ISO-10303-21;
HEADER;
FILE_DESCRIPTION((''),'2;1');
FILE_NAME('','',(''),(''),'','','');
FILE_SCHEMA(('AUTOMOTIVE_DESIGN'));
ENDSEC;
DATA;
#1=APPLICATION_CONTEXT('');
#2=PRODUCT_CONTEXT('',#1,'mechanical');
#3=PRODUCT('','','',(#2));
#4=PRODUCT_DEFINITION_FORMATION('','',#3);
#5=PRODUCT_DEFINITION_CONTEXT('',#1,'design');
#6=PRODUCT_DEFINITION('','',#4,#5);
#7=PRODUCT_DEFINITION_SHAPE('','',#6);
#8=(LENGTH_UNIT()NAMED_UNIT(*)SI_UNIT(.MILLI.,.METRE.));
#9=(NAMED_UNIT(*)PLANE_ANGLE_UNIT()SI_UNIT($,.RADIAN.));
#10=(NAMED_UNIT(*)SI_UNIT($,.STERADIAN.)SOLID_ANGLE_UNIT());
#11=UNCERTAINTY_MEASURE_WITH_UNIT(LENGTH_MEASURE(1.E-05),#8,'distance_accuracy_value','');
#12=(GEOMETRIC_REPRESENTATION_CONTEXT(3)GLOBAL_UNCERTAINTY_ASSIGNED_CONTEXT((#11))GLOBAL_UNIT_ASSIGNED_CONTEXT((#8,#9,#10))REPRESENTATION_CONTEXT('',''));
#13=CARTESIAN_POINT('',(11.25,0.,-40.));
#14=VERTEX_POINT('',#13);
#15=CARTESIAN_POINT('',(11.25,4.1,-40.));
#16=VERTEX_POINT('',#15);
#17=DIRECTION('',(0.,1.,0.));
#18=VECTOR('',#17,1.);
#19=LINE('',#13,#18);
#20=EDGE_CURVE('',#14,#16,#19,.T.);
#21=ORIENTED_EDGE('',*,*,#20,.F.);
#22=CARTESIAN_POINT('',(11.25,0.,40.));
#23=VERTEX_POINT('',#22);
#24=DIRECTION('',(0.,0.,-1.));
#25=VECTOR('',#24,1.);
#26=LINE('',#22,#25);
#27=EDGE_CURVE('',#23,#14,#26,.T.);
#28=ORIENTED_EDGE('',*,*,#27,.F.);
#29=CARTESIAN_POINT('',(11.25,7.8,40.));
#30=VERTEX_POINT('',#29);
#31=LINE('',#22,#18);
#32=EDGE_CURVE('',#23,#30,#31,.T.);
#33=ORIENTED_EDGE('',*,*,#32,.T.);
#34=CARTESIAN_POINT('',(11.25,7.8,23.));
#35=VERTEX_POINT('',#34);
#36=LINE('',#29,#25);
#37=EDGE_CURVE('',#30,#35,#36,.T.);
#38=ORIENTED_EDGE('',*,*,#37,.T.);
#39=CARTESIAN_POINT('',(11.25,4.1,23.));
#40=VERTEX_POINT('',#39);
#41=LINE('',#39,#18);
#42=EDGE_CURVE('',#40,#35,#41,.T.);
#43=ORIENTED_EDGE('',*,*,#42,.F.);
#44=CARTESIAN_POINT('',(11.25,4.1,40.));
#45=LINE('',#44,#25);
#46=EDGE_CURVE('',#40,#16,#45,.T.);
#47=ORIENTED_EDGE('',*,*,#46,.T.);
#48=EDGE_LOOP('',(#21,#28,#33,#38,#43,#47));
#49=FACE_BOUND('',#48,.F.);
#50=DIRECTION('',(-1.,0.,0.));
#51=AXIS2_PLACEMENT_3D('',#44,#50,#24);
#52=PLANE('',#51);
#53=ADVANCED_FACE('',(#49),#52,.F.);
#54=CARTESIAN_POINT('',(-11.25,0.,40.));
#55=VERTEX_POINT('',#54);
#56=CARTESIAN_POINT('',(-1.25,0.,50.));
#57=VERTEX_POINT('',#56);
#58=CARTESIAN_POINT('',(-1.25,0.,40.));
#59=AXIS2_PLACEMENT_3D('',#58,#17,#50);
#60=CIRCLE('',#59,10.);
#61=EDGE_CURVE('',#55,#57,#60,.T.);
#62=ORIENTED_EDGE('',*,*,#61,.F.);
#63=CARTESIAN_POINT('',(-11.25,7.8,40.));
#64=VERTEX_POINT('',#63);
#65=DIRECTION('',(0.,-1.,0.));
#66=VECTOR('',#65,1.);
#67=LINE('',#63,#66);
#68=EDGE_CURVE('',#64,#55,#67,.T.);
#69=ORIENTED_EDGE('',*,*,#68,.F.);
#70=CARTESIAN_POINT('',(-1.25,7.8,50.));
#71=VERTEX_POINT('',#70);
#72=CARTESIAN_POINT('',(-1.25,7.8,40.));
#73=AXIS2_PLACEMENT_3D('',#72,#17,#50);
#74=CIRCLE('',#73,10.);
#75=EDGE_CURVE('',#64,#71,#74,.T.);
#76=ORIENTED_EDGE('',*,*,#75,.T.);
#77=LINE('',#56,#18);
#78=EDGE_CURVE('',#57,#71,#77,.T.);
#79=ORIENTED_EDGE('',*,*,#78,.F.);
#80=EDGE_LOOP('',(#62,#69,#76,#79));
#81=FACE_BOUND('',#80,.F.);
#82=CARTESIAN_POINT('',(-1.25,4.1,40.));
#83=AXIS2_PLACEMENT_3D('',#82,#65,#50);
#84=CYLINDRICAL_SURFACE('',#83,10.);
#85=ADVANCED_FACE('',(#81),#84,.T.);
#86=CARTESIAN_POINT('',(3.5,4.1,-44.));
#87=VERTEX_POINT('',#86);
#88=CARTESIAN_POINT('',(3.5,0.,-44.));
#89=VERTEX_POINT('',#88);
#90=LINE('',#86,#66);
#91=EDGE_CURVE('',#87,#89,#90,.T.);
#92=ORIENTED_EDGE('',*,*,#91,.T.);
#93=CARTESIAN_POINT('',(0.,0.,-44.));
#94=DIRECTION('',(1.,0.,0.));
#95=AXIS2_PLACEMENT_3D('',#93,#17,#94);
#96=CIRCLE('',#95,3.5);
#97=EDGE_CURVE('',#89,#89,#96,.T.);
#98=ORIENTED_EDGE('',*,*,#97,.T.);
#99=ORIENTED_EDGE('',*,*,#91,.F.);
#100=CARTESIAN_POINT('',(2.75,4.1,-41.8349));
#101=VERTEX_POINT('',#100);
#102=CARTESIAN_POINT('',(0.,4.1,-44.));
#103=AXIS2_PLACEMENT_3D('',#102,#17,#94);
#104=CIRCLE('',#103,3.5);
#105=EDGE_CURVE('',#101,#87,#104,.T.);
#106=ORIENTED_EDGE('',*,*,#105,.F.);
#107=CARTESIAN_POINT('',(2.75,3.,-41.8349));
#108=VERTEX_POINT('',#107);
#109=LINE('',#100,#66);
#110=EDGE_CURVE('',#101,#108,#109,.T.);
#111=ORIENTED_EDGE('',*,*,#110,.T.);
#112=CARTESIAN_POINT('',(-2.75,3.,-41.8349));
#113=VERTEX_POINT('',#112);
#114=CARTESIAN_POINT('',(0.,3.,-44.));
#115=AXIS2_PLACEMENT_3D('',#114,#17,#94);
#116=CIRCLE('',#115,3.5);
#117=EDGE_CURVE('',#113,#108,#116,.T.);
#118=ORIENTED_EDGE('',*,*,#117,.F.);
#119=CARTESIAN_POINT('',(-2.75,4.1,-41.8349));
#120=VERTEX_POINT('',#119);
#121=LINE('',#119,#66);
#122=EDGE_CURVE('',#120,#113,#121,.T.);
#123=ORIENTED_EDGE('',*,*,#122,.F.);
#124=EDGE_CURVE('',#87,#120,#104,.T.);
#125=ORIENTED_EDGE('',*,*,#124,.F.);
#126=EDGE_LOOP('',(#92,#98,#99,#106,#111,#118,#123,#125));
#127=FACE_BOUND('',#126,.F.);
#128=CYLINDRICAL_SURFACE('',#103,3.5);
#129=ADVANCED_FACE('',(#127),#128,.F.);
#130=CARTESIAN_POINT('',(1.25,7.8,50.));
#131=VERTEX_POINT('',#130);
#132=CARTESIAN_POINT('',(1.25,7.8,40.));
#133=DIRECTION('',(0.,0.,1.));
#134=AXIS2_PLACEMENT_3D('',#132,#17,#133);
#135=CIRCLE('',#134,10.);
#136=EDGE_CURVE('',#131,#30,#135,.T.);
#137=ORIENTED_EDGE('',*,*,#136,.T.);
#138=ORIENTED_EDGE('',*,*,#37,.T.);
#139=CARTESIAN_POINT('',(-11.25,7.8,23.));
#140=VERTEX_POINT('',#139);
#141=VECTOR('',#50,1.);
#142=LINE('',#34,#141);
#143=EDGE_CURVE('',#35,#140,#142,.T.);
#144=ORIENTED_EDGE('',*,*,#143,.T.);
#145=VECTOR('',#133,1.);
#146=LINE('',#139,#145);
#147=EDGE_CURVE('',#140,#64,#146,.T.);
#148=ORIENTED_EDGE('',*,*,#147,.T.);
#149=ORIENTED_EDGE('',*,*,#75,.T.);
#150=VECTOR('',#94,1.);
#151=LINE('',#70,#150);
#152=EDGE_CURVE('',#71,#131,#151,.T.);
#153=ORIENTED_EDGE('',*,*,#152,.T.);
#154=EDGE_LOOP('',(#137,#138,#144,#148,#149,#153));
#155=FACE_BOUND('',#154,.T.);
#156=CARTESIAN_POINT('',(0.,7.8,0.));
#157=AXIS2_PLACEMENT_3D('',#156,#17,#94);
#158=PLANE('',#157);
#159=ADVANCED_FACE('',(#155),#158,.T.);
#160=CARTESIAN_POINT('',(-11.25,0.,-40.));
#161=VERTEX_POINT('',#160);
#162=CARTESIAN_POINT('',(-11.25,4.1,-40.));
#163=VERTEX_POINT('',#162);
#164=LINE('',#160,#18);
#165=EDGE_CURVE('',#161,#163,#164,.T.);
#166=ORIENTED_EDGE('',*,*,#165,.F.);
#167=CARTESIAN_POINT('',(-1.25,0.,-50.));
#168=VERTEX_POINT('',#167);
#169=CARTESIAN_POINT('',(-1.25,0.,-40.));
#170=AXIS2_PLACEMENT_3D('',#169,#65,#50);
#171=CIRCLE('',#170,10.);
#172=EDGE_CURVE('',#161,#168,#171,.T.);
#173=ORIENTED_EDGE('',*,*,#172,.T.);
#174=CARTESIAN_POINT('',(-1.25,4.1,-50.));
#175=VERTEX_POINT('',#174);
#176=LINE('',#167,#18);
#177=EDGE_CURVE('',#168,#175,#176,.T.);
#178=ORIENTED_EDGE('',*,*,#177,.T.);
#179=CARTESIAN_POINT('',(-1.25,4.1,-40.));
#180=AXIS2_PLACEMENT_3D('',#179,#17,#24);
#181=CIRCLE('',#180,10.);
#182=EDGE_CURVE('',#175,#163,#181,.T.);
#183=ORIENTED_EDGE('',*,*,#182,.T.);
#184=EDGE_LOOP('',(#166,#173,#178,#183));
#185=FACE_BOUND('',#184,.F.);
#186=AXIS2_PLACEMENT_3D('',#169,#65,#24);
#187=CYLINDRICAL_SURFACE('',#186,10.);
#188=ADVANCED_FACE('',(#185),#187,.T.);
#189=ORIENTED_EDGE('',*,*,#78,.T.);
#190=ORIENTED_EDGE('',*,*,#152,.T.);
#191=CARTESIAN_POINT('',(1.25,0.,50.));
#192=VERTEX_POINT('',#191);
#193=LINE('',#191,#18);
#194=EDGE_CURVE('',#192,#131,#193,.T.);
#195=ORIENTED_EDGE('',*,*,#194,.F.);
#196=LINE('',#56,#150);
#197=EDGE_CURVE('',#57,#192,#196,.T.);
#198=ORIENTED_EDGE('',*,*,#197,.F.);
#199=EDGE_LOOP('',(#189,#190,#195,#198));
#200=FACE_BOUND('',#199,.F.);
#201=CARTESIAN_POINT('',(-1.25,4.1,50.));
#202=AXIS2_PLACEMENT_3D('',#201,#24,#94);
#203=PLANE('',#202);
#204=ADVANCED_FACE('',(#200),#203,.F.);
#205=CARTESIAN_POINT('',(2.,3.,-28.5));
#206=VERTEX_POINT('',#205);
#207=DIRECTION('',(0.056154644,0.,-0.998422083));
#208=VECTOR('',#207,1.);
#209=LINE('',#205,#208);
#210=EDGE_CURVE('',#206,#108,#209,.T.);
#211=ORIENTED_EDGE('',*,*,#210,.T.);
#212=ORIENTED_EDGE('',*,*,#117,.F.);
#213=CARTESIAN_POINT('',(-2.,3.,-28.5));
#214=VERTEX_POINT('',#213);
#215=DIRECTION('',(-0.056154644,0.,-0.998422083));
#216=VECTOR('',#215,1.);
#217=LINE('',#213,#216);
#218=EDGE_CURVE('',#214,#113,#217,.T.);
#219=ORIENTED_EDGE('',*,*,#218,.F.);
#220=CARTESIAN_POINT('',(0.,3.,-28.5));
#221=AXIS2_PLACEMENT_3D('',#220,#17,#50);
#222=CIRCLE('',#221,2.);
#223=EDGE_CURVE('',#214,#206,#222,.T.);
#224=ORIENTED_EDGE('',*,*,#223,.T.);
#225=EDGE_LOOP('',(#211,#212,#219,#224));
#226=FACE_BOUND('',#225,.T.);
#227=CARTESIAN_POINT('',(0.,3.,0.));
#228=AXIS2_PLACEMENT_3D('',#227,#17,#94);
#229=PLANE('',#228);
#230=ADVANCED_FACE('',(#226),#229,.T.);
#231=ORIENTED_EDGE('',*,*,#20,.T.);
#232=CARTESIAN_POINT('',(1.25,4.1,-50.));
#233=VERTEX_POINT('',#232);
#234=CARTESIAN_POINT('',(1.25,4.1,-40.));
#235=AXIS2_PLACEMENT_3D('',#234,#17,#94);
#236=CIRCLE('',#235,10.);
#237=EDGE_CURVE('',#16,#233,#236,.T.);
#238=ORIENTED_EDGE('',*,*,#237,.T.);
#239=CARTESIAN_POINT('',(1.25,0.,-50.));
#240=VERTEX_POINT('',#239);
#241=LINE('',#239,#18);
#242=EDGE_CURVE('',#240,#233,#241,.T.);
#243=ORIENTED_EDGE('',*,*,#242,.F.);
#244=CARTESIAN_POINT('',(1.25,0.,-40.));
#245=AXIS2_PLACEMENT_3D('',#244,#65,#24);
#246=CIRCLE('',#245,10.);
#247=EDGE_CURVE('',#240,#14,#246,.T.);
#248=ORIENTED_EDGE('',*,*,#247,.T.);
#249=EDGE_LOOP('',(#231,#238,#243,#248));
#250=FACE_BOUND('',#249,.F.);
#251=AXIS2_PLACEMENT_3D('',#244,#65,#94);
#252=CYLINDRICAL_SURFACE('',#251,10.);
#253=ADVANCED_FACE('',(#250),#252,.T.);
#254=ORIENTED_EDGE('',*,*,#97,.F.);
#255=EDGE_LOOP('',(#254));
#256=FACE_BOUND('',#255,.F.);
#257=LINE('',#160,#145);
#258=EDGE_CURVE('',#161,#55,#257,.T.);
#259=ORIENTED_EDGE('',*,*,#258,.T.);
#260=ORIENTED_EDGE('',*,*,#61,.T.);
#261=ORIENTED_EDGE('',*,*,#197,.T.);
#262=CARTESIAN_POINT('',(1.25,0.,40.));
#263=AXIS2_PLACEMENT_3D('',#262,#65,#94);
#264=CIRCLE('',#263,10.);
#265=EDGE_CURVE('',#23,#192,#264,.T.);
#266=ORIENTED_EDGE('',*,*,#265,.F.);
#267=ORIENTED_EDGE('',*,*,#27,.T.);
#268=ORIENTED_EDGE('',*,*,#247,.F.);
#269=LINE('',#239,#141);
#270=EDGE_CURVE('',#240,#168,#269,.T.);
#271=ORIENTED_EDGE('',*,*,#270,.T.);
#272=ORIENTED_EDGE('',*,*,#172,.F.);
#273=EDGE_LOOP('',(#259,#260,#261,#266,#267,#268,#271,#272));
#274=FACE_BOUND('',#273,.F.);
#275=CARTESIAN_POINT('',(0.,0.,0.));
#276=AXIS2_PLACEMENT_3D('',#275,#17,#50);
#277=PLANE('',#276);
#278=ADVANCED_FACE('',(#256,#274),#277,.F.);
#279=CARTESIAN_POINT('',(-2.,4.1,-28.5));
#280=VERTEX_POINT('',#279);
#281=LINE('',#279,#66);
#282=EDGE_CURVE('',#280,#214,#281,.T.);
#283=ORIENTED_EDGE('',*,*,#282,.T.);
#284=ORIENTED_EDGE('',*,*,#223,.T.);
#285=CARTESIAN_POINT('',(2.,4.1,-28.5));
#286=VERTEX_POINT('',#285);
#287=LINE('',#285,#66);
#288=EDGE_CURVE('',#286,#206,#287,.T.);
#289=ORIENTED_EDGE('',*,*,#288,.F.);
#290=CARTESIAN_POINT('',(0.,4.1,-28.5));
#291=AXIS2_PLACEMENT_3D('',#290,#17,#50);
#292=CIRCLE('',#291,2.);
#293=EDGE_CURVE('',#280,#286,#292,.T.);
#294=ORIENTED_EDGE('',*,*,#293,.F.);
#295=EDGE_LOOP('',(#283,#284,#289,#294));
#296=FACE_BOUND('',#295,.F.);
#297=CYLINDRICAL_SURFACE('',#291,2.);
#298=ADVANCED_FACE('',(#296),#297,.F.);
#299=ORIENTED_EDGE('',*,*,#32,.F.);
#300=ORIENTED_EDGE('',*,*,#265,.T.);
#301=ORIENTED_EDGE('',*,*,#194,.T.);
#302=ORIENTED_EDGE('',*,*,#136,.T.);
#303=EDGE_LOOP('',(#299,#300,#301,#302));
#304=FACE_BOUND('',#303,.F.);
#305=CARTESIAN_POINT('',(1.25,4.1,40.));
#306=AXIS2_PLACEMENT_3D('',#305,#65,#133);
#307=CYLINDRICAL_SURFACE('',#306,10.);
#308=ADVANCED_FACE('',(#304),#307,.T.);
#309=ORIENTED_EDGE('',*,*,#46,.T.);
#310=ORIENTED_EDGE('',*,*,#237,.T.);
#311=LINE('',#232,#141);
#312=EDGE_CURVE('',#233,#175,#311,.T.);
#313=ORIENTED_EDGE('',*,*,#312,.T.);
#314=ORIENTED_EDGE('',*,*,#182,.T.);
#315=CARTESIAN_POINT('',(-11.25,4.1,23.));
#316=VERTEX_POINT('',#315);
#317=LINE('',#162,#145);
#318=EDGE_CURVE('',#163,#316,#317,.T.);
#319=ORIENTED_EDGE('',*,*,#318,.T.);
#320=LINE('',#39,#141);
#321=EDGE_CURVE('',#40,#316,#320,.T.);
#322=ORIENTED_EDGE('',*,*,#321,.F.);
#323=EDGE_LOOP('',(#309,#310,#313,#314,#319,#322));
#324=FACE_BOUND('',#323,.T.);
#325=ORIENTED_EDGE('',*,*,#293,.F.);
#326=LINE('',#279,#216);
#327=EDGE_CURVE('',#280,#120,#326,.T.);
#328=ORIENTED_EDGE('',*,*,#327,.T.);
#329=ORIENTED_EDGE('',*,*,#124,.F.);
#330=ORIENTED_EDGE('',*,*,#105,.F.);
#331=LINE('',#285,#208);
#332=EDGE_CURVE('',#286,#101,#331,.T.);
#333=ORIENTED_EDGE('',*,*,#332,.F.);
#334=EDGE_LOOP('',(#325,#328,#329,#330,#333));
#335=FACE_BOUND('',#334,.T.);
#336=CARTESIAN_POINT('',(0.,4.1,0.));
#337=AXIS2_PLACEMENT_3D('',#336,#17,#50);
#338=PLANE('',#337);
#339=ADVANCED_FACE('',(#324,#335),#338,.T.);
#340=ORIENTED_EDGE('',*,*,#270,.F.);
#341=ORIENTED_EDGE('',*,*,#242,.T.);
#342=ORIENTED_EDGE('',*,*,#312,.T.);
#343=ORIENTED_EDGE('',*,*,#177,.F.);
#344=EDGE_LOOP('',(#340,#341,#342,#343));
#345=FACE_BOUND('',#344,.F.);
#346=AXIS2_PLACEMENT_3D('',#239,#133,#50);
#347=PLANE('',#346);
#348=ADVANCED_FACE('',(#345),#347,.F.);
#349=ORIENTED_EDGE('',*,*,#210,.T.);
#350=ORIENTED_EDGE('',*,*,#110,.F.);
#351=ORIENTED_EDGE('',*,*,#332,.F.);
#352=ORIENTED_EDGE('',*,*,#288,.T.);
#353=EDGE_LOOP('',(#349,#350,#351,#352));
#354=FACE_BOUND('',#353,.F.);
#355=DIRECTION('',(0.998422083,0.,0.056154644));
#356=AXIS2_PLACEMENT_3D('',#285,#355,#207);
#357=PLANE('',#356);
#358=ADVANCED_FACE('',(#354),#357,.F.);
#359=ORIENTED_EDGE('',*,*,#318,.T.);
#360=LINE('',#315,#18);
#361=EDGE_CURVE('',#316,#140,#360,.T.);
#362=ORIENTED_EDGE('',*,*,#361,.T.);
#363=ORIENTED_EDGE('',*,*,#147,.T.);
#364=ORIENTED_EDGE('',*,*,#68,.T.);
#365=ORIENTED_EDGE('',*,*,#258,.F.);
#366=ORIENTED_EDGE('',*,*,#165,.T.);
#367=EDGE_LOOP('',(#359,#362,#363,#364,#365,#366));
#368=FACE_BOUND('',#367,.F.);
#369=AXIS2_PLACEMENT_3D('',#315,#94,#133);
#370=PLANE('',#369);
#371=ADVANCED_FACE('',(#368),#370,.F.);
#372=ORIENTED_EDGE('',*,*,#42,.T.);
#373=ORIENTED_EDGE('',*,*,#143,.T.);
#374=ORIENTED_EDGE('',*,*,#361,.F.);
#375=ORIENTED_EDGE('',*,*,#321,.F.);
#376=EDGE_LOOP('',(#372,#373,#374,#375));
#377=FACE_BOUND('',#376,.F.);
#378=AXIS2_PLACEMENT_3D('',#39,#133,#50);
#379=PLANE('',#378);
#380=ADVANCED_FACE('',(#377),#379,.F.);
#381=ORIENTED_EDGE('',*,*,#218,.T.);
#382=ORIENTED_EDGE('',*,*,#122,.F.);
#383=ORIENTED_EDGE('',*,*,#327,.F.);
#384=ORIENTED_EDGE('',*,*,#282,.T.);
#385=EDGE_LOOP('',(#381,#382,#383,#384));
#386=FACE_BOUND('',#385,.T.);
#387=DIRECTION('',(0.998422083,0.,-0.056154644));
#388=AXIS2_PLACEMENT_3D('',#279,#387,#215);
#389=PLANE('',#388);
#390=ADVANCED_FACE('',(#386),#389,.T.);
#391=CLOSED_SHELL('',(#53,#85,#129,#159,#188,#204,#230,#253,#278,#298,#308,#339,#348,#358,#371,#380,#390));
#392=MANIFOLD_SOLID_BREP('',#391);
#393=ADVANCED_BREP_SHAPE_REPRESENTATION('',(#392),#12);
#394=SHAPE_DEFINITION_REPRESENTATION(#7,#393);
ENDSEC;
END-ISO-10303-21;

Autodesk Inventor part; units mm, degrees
ref_plane "YZ Plane" through (0, 0, 0) normal (1, 0, 0) x (0, 1, 0)
ref_plane "XZ Plane" through (0, 0, 0) normal (0, 1, 0) x (-1, 0, 0)
ref_plane "XY Plane" through (0, 0, 0) normal (0, 0, 1) x (1, 0, 0)
sketch "Szkic1" plane through (0, 0, 0) normal (0, 1, 0) x (-1, 0, 0)
  line L0 (1.25, 50) -> (-1.25, 50)
  line L1 (-11.25, 40) -> (-11.25, -40)
  line L2 (-1.25, -50) -> (1.25, -50)
  line L3 (11.25, -40) -> (11.25, 40)
  line L4 (11.25, 50) -> (-11.25, -50)
  line L5 (11.25, -50) -> (-11.25, 50)
  arc A0 (11.25, 40) -> (1.25, 50) centre (1.25, 40) ccw
  arc A1 (-1.25, 50) -> (-11.25, 40) centre (-1.25, 40) ccw
  arc A2 (1.25, -50) -> (11.25, -40) centre (1.25, -40) ccw
  arc A3 (-11.25, -40) -> (-1.25, -50) centre (-1.25, -40) ccw
  point P0 (0, 0)
  point P1 (0, 0)
  dimension "d0" = 22.5
  dimension "d1" = 100
  dimension "d2" = 10
extrude "Wyciągnięcie proste1" add sketch "Szkic1" along normal blind 4.1
sketch "Szkic2" plane through (0, 4.1, 0) normal (0, 1, 0) x (1, 0, 0)
  circle A0 centre (0, 44) radius 3.5
  line L0 (1.25, 50) -> (-1.25, 50) projected
  point P0 (0, 0)
  point P1 (0, 50)
  dimension "d5" = 7
  dimension "d14" = 6
extrude "Wyciągnięcie proste2" cut sketch "Szkic2" against normal blind 8
sketch "Szkic3" plane through (0, 4.1, 0) normal (0, 1, 0) x (1, 0, 0)
  line L0 (0, 47.5) -> (0, 28.5)
  arc A0 (-2, 28.5) -> (2, 28.5) centre (0, 28.5) ccw
  line L1 (-2.75, 41.8349) -> (0, 41.8349)
  line L2 (1.25, 50) -> (-1.25, 50) projected
  line L3 (-2, 28.5) -> (-2.75, 41.8349)
  line L4 (2, 28.5) -> (2.75, 41.8349)
  line L5 (0, 41.8349) -> (2.75, 41.8349)
  circle A1 centre (0, 44) radius 3.5 projected
  point P0 (0, 0)
  point P1 (0, 50)
  dimension "d8" = 19
  dimension "d10" = 5.5
  dimension "d22" = 13.3349
extrude "Wyciągnięcie proste3" cut sketch "Szkic3" against normal blind 1.1 contours L5 A1 L0 | L0 A1 L1 | A1 L4 A0 L3 picked at (1.6483, 41.6479) picked at (-1.6483, 41.6479)
sketch "Szkic9" plane through (0, 4.1, 0) normal (0, 1, 0) x (1, 0, 0)
  line L0 (-1.25, -50) -> (1.25, -50)
  line L1 (11.25, -40) -> (11.25, -23)
  line L2 (11.25, -23) -> (-11.25, -23)
  line L3 (-11.25, -23) -> (-11.25, -40)
  line L4 (-1.25, -50) -> (1.25, -50) projected
  arc A0 (-11.25, -40) -> (-1.25, -50) centre (-1.25, -40) ccw
  arc A1 (1.25, -50) -> (11.25, -40) centre (1.25, -40) ccw
  point P0 (0, 0)
  point P1 (0, -50)
  dimension "d36" = 27
  dimension "d37" = 22.5
  dimension "d38" = 10
extrude "Wyciągnięcie proste7" add sketch "Szkic9" along normal blind 3.7
properties part number "arm_big_part_v2"
